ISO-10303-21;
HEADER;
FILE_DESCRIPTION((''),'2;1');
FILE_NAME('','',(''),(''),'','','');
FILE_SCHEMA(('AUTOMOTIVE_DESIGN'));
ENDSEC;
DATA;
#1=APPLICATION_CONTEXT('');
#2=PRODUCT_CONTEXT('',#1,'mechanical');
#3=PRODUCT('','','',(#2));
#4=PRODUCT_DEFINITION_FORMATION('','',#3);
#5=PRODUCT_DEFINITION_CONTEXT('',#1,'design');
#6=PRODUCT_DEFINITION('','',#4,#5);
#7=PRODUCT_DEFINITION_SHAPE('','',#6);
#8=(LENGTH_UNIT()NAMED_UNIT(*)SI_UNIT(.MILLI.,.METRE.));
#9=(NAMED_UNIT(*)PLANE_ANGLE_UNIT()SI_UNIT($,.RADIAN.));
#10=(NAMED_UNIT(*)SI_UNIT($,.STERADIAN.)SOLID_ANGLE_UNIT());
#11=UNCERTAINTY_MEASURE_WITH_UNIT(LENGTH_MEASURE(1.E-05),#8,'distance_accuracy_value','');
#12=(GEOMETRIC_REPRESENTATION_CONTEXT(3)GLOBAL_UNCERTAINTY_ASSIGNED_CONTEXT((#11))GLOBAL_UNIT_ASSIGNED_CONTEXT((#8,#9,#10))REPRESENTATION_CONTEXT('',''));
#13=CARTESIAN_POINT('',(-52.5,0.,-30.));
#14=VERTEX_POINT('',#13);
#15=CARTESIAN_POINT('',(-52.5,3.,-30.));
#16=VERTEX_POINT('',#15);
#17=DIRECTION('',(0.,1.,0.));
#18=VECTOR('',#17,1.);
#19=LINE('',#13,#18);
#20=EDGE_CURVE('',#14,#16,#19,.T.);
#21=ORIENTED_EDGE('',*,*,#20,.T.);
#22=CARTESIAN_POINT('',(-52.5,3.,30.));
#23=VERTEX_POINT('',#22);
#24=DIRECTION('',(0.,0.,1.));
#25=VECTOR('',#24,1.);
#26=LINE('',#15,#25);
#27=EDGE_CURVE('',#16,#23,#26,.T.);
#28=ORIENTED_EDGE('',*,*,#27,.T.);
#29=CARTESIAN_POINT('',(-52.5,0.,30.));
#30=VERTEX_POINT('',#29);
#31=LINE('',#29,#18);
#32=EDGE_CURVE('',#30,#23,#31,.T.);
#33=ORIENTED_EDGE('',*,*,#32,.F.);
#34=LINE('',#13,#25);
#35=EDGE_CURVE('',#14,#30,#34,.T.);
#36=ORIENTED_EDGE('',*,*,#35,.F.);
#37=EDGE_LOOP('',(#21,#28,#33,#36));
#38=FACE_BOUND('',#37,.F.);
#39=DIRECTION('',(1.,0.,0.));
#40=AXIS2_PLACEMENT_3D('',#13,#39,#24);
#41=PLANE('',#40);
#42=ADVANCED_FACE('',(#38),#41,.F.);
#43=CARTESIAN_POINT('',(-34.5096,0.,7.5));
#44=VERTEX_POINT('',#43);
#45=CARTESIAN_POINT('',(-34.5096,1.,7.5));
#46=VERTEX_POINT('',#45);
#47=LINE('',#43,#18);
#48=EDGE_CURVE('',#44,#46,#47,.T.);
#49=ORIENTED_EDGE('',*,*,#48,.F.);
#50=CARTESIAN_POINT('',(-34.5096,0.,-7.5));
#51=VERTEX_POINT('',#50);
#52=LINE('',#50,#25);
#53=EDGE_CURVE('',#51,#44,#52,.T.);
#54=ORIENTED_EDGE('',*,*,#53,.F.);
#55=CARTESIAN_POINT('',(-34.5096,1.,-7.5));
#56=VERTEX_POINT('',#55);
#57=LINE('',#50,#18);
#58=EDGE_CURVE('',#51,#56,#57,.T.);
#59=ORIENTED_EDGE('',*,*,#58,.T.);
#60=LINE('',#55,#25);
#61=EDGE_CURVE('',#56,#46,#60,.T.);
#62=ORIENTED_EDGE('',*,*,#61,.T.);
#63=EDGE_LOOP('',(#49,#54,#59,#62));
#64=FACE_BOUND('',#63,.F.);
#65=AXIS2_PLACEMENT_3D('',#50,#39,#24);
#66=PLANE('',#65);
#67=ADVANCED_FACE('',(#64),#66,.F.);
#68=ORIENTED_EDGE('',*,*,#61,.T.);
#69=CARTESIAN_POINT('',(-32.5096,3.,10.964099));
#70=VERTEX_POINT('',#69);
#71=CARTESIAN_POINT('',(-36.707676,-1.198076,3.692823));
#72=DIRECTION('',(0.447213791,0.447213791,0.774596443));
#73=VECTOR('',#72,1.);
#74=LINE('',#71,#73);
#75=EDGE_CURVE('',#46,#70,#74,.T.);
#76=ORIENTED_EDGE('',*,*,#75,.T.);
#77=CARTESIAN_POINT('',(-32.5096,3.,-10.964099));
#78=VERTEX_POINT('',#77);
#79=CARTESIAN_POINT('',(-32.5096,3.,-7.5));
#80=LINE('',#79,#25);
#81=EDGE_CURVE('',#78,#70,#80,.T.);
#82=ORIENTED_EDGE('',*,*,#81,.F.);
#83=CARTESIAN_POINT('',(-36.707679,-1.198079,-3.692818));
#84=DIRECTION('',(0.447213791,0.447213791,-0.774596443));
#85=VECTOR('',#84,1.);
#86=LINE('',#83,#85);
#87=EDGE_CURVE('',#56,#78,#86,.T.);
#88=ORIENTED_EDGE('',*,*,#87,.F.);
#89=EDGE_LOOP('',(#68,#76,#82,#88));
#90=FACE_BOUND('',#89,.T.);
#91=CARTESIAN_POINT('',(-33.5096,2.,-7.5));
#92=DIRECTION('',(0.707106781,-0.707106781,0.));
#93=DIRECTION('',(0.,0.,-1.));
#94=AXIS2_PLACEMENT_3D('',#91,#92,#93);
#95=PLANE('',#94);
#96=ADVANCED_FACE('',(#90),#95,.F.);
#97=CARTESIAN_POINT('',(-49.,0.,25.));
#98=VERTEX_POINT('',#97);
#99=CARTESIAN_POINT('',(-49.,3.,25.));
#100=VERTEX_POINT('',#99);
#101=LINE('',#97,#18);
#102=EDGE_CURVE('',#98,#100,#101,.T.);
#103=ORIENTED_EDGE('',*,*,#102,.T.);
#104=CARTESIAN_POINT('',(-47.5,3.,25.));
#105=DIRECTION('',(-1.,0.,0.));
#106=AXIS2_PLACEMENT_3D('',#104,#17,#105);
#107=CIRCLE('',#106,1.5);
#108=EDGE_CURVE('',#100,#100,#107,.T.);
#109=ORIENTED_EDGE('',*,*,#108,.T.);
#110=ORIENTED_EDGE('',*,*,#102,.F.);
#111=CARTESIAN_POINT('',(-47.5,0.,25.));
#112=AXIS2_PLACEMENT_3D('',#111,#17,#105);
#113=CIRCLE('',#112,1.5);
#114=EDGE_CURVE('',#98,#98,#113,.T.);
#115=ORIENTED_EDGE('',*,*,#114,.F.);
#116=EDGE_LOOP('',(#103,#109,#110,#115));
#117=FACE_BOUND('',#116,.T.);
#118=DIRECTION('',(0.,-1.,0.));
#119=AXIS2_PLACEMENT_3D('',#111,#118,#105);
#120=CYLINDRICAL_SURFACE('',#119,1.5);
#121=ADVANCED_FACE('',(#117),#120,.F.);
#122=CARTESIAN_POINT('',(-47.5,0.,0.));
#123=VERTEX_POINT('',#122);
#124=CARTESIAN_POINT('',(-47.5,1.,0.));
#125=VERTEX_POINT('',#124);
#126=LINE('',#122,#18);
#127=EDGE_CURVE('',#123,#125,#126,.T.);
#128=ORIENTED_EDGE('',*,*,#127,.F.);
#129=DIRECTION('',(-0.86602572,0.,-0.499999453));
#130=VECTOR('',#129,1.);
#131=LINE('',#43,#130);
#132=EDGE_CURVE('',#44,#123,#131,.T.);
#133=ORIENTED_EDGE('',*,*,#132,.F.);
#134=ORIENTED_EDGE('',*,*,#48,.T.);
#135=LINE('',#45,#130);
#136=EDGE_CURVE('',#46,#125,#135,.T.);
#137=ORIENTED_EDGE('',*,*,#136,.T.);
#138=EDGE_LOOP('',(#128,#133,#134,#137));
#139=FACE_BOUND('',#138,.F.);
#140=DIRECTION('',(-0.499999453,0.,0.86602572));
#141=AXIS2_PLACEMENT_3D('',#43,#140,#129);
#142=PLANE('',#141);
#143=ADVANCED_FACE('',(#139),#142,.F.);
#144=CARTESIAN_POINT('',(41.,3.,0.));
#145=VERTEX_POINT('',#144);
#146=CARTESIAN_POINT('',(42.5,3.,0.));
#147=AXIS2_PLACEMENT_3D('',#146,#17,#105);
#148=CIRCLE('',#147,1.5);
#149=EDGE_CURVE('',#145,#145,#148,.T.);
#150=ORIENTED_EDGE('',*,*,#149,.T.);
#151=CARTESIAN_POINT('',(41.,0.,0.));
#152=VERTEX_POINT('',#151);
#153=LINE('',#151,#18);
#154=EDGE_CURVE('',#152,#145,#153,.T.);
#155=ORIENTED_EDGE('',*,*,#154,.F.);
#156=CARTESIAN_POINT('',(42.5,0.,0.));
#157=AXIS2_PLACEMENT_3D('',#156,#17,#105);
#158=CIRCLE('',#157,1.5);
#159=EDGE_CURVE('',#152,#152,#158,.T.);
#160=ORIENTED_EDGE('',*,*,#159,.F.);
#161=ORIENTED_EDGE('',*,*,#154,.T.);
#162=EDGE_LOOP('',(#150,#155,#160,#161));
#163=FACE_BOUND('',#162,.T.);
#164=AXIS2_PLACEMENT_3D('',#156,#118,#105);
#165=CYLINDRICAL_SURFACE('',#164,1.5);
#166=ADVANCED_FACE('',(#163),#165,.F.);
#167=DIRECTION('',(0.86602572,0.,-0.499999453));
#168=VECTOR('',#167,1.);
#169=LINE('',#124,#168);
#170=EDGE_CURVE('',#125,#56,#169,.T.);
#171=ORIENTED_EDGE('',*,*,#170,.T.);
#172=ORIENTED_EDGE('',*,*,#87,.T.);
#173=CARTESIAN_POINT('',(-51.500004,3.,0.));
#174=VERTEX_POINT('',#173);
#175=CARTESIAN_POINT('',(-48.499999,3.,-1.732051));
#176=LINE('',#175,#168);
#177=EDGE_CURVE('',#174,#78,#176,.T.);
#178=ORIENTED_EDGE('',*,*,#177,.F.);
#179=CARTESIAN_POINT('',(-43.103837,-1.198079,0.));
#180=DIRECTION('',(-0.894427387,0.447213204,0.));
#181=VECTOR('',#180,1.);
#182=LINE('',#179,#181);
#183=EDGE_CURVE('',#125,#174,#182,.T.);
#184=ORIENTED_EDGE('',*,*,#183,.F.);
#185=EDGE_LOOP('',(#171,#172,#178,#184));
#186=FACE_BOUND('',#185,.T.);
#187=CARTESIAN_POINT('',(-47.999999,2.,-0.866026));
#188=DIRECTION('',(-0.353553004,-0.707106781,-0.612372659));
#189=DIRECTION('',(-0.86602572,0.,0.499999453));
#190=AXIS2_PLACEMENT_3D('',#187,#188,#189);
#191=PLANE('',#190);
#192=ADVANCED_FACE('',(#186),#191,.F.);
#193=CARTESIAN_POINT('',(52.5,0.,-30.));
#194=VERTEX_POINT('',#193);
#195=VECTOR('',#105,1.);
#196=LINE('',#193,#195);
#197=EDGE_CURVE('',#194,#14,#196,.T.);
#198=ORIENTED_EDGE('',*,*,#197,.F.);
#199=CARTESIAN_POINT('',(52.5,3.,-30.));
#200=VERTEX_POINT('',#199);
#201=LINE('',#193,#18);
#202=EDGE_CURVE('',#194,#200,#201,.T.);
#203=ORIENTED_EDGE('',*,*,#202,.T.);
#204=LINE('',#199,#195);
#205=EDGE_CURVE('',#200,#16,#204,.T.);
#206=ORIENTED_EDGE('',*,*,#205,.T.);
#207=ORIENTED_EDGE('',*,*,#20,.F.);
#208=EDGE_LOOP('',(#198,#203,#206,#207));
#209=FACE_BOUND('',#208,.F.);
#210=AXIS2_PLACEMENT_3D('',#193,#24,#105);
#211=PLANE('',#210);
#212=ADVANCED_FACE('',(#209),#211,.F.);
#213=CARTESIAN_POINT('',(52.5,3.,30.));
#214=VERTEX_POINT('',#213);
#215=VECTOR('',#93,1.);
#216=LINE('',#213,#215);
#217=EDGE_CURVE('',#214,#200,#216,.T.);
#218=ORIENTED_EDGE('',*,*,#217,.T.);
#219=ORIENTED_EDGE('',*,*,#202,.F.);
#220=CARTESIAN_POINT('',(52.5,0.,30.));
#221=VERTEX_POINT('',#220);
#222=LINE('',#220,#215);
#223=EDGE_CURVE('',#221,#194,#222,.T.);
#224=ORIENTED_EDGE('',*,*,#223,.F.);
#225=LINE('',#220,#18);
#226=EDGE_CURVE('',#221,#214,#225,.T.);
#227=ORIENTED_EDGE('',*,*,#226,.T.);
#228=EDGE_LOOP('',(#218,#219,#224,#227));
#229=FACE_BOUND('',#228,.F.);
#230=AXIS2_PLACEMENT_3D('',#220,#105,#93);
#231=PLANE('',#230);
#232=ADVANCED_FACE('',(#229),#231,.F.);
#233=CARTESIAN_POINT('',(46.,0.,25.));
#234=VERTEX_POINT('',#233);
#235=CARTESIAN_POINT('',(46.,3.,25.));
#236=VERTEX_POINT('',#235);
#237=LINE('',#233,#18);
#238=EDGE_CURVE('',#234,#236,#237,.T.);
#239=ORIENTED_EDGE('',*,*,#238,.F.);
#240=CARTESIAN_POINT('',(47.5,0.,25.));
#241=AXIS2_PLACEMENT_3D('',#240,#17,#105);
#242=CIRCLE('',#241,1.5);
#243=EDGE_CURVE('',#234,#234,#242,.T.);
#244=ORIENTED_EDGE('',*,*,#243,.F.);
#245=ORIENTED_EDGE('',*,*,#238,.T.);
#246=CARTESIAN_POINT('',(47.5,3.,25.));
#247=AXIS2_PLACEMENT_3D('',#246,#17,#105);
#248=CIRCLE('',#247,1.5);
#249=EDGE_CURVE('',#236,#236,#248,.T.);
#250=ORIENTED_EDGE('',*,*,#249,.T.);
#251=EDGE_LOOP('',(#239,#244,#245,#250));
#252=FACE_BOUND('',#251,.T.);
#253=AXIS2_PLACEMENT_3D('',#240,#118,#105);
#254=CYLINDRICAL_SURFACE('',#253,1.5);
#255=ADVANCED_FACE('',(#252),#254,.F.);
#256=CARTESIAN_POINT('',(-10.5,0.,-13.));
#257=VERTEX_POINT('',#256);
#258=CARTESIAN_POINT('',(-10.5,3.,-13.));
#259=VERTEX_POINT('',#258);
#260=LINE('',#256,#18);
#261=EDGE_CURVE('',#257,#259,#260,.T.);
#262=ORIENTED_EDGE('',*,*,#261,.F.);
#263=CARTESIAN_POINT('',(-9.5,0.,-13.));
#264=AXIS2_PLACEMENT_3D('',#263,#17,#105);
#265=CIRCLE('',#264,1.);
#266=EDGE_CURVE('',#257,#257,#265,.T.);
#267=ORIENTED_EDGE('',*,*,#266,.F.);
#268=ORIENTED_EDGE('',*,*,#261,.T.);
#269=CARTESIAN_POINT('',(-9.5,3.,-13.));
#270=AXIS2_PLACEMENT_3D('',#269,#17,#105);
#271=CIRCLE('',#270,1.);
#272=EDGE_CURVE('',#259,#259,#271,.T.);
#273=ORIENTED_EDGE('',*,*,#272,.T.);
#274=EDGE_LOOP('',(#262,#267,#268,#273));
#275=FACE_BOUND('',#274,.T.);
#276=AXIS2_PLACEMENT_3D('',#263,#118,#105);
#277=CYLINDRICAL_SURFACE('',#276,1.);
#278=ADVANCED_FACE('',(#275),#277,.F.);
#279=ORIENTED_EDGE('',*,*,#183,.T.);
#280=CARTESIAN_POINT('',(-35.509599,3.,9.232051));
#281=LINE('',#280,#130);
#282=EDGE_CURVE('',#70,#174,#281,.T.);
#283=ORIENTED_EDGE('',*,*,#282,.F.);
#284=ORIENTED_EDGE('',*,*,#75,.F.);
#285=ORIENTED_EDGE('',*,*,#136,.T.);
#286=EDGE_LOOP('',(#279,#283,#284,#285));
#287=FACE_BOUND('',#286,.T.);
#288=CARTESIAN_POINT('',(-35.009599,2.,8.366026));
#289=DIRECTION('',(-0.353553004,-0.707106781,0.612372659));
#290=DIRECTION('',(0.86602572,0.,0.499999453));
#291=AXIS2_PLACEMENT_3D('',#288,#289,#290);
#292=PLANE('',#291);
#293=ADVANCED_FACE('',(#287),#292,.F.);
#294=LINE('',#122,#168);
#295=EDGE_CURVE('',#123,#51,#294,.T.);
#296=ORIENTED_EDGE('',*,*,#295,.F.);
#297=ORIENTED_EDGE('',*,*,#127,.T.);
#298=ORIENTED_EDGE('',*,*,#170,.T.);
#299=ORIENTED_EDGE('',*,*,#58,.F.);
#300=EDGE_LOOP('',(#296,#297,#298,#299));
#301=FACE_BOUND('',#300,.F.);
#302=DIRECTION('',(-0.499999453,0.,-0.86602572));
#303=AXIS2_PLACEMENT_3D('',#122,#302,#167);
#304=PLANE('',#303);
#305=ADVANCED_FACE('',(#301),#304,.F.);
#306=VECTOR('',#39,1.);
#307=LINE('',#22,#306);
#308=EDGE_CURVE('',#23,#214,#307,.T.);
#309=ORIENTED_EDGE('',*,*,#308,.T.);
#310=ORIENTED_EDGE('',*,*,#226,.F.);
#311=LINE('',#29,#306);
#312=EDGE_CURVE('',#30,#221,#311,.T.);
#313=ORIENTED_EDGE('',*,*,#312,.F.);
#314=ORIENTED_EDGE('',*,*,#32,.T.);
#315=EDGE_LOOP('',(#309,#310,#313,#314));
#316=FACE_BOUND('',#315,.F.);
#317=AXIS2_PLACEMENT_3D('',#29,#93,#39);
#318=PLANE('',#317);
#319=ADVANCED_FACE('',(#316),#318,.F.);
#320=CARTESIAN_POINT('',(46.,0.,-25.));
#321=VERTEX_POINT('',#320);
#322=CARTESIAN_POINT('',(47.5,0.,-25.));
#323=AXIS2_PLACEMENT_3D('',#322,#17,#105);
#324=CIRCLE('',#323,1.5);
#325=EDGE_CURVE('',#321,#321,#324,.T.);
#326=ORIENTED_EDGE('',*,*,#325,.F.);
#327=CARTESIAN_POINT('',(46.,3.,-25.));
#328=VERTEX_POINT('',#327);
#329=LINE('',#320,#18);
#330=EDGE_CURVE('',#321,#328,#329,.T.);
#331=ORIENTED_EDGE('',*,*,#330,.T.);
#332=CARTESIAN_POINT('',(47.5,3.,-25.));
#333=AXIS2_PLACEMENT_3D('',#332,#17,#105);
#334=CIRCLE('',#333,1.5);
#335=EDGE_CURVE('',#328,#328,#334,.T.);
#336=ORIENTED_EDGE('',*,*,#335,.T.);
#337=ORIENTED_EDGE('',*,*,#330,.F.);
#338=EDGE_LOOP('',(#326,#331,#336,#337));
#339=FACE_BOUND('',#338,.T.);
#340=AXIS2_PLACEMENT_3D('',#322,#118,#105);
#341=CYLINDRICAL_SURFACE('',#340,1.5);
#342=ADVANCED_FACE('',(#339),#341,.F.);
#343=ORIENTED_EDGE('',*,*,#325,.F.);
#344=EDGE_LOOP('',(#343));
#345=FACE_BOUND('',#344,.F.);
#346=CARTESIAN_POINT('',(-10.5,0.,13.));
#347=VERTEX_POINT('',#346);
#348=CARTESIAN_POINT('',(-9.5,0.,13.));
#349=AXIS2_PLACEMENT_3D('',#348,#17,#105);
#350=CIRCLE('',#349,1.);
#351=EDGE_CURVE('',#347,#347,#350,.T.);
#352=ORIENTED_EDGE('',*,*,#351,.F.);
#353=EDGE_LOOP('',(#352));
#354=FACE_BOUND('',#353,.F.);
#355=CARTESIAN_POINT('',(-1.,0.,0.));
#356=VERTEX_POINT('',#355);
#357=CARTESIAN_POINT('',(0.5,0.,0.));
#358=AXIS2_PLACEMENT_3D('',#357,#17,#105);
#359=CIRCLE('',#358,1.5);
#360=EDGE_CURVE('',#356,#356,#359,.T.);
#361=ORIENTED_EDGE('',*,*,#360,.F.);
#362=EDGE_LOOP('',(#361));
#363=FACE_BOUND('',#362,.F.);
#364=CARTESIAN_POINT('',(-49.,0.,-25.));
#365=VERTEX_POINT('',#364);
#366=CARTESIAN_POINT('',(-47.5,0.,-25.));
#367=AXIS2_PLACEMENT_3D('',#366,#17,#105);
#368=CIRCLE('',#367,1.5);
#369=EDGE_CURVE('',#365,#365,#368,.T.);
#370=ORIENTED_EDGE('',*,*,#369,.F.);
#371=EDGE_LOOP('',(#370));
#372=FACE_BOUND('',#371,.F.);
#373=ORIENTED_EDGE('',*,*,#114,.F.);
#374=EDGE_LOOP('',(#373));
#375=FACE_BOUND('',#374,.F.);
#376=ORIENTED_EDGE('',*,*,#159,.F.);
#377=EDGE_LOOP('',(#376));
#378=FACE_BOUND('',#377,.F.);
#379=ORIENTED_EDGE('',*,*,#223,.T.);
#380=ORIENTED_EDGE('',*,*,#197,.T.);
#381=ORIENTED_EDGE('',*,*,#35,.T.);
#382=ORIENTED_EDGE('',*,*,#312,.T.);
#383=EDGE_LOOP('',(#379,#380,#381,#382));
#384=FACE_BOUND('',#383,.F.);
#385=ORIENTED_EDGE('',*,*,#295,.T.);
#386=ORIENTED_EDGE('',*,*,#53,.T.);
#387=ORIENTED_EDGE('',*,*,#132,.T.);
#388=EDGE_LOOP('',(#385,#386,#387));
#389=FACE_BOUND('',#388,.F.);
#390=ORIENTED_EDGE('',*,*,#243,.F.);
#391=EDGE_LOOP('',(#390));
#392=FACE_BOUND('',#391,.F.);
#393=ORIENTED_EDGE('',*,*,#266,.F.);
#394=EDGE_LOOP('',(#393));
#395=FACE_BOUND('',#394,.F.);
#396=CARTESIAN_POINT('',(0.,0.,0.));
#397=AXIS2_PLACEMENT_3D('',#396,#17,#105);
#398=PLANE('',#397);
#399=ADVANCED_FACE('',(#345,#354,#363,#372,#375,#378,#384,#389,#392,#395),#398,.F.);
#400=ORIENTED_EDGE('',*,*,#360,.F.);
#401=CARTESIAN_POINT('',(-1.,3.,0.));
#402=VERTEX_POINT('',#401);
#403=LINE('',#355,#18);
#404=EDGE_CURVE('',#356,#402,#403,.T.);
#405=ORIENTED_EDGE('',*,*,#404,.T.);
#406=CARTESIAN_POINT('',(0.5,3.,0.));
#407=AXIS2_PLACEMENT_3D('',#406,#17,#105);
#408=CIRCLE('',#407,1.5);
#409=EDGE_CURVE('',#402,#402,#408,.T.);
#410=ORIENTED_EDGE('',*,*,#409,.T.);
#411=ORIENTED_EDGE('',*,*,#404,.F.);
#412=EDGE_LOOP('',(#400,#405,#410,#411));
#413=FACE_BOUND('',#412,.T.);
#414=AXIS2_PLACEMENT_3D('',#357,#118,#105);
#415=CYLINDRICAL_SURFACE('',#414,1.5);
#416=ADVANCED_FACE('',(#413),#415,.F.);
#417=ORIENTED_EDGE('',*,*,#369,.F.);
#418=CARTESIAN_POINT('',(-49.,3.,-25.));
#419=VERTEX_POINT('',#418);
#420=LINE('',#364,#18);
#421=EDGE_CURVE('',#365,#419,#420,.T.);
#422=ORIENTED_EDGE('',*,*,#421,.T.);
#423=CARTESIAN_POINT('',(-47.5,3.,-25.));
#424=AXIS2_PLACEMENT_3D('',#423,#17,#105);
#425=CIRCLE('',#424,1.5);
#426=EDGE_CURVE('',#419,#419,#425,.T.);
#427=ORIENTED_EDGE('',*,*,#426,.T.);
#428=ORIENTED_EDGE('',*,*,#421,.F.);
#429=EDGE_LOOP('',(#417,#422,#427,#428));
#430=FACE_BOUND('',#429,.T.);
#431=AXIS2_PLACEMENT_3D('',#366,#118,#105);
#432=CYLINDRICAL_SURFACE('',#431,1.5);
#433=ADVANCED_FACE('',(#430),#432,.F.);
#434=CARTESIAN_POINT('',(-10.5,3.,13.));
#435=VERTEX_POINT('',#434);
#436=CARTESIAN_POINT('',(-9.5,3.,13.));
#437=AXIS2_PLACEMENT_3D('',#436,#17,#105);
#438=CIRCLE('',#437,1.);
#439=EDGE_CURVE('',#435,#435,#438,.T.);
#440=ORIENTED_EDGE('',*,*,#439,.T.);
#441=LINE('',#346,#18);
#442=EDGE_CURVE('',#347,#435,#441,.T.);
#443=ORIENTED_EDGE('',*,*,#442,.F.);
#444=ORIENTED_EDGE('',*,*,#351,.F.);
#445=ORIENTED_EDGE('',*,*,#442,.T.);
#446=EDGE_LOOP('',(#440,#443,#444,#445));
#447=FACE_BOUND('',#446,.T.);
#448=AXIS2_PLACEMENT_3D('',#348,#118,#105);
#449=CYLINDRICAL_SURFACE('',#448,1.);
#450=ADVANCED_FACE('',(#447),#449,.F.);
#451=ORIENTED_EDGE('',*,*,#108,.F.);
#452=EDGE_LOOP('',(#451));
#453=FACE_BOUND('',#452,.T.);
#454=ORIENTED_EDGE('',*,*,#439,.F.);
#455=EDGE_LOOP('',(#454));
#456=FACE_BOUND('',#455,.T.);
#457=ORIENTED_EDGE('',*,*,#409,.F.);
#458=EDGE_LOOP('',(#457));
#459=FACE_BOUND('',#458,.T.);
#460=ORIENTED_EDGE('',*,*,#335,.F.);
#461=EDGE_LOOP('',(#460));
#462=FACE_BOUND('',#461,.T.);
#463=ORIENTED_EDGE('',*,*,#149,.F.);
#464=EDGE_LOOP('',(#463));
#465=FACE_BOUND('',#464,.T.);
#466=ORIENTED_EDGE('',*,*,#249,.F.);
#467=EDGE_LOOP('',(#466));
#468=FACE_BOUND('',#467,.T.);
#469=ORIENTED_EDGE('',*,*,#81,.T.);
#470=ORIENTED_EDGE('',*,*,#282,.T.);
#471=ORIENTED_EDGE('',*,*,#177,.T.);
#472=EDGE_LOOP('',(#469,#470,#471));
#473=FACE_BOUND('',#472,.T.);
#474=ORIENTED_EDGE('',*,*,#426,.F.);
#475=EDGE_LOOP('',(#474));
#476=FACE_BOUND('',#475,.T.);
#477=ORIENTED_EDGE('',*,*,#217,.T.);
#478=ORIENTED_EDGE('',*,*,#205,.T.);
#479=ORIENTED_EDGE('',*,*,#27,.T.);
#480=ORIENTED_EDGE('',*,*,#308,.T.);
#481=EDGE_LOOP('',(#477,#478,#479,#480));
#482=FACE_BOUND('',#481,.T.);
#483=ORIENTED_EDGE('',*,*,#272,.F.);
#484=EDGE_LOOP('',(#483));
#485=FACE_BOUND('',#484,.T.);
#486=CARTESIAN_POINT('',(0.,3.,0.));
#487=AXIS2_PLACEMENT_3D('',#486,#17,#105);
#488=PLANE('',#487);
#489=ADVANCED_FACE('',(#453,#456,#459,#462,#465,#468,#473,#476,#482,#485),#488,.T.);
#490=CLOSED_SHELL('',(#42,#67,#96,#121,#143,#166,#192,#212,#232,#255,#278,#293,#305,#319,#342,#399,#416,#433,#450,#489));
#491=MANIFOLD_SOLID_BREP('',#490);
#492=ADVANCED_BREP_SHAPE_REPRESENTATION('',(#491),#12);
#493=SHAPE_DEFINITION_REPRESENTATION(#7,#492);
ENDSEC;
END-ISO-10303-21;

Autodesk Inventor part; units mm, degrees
ref_plane "YZ Plane" through (0, 0, 0) normal (1, 0, 0) x (0, 1, 0)
ref_plane "XZ Plane" through (0, 0, 0) normal (0, 1, 0) x (-1, 0, 0)
ref_plane "XY Plane" through (0, 0, 0) normal (0, 0, 1) x (1, 0, 0)
sketch "Sketch1" plane through (0, 0, 0) normal (0, 1, 0) x (-1, 0, 0)
  line L0 (52.5, 30) -> (-52.5, 30)
  line L1 (-52.5, 30) -> (-52.5, -30)
  line L2 (-52.5, -30) -> (52.5, -30)
  line L3 (52.5, -30) -> (52.5, 30)
  line L4 (52.5, 0) -> (-52.5, 0) construction
  circle A0 centre (-42.5, 0) radius 1.5
  circle A1 centre (-0.5, 0) radius 1.5
  line L5 (-47.5, 25) -> (47.5, 25) construction
  line L6 (47.5, 25) -> (47.5, -25) construction
  line L7 (47.5, -25) -> (-47.5, -25) construction
  line L8 (-47.5, -25) -> (-47.5, 25) construction
  circle A2 centre (47.5, 25) radius 1.5
  circle A3 centre (47.5, -25) radius 1.5
  circle A4 centre (-47.5, 25) radius 1.5
  circle A5 centre (-47.5, -25) radius 1.5
  line L9 (47.5, 0) -> (34.5096, -7.5)
  line L10 (34.5096, -7.5) -> (34.5096, 7.5)
  line L11 (34.5096, 7.5) -> (47.5, 0)
  circle A6 centre (9.5, -13) radius 1
  circle A7 centre (9.5, 13) radius 1
  line L12 (9.5, -30) -> (9.5, 30) construction
  point P0 (0, 0)
  point P1 (0, 0)
  point P2 (38.8397, 0)
  dimension "d0" = 105
  dimension "d1" = 60
  dimension "d2" = 3
  dimension "d3" = 3
  dimension "d4" = 42
  dimension "d5" = 5
  dimension "d6" = 3
  dimension "d7" = 3
  dimension "d8" = 3
  dimension "d9" = 3
  dimension "d10" = 15
  dimension "d11" = 10
  dimension "d17" = 2
  dimension "d18" = 2
  dimension "d19" = 26
  dimension "d20" = 10
extrude "Extrusion1" add sketch "Sketch1" along normal blind 3
chamfer "Chamfer1" distance 2 angle 45 3 edges at (-41.0048, 3, -3.75) (-41.0048, 3, 3.75) (-34.5096, 3, 0)
properties part number "Front back" material "Iron, Gray"
